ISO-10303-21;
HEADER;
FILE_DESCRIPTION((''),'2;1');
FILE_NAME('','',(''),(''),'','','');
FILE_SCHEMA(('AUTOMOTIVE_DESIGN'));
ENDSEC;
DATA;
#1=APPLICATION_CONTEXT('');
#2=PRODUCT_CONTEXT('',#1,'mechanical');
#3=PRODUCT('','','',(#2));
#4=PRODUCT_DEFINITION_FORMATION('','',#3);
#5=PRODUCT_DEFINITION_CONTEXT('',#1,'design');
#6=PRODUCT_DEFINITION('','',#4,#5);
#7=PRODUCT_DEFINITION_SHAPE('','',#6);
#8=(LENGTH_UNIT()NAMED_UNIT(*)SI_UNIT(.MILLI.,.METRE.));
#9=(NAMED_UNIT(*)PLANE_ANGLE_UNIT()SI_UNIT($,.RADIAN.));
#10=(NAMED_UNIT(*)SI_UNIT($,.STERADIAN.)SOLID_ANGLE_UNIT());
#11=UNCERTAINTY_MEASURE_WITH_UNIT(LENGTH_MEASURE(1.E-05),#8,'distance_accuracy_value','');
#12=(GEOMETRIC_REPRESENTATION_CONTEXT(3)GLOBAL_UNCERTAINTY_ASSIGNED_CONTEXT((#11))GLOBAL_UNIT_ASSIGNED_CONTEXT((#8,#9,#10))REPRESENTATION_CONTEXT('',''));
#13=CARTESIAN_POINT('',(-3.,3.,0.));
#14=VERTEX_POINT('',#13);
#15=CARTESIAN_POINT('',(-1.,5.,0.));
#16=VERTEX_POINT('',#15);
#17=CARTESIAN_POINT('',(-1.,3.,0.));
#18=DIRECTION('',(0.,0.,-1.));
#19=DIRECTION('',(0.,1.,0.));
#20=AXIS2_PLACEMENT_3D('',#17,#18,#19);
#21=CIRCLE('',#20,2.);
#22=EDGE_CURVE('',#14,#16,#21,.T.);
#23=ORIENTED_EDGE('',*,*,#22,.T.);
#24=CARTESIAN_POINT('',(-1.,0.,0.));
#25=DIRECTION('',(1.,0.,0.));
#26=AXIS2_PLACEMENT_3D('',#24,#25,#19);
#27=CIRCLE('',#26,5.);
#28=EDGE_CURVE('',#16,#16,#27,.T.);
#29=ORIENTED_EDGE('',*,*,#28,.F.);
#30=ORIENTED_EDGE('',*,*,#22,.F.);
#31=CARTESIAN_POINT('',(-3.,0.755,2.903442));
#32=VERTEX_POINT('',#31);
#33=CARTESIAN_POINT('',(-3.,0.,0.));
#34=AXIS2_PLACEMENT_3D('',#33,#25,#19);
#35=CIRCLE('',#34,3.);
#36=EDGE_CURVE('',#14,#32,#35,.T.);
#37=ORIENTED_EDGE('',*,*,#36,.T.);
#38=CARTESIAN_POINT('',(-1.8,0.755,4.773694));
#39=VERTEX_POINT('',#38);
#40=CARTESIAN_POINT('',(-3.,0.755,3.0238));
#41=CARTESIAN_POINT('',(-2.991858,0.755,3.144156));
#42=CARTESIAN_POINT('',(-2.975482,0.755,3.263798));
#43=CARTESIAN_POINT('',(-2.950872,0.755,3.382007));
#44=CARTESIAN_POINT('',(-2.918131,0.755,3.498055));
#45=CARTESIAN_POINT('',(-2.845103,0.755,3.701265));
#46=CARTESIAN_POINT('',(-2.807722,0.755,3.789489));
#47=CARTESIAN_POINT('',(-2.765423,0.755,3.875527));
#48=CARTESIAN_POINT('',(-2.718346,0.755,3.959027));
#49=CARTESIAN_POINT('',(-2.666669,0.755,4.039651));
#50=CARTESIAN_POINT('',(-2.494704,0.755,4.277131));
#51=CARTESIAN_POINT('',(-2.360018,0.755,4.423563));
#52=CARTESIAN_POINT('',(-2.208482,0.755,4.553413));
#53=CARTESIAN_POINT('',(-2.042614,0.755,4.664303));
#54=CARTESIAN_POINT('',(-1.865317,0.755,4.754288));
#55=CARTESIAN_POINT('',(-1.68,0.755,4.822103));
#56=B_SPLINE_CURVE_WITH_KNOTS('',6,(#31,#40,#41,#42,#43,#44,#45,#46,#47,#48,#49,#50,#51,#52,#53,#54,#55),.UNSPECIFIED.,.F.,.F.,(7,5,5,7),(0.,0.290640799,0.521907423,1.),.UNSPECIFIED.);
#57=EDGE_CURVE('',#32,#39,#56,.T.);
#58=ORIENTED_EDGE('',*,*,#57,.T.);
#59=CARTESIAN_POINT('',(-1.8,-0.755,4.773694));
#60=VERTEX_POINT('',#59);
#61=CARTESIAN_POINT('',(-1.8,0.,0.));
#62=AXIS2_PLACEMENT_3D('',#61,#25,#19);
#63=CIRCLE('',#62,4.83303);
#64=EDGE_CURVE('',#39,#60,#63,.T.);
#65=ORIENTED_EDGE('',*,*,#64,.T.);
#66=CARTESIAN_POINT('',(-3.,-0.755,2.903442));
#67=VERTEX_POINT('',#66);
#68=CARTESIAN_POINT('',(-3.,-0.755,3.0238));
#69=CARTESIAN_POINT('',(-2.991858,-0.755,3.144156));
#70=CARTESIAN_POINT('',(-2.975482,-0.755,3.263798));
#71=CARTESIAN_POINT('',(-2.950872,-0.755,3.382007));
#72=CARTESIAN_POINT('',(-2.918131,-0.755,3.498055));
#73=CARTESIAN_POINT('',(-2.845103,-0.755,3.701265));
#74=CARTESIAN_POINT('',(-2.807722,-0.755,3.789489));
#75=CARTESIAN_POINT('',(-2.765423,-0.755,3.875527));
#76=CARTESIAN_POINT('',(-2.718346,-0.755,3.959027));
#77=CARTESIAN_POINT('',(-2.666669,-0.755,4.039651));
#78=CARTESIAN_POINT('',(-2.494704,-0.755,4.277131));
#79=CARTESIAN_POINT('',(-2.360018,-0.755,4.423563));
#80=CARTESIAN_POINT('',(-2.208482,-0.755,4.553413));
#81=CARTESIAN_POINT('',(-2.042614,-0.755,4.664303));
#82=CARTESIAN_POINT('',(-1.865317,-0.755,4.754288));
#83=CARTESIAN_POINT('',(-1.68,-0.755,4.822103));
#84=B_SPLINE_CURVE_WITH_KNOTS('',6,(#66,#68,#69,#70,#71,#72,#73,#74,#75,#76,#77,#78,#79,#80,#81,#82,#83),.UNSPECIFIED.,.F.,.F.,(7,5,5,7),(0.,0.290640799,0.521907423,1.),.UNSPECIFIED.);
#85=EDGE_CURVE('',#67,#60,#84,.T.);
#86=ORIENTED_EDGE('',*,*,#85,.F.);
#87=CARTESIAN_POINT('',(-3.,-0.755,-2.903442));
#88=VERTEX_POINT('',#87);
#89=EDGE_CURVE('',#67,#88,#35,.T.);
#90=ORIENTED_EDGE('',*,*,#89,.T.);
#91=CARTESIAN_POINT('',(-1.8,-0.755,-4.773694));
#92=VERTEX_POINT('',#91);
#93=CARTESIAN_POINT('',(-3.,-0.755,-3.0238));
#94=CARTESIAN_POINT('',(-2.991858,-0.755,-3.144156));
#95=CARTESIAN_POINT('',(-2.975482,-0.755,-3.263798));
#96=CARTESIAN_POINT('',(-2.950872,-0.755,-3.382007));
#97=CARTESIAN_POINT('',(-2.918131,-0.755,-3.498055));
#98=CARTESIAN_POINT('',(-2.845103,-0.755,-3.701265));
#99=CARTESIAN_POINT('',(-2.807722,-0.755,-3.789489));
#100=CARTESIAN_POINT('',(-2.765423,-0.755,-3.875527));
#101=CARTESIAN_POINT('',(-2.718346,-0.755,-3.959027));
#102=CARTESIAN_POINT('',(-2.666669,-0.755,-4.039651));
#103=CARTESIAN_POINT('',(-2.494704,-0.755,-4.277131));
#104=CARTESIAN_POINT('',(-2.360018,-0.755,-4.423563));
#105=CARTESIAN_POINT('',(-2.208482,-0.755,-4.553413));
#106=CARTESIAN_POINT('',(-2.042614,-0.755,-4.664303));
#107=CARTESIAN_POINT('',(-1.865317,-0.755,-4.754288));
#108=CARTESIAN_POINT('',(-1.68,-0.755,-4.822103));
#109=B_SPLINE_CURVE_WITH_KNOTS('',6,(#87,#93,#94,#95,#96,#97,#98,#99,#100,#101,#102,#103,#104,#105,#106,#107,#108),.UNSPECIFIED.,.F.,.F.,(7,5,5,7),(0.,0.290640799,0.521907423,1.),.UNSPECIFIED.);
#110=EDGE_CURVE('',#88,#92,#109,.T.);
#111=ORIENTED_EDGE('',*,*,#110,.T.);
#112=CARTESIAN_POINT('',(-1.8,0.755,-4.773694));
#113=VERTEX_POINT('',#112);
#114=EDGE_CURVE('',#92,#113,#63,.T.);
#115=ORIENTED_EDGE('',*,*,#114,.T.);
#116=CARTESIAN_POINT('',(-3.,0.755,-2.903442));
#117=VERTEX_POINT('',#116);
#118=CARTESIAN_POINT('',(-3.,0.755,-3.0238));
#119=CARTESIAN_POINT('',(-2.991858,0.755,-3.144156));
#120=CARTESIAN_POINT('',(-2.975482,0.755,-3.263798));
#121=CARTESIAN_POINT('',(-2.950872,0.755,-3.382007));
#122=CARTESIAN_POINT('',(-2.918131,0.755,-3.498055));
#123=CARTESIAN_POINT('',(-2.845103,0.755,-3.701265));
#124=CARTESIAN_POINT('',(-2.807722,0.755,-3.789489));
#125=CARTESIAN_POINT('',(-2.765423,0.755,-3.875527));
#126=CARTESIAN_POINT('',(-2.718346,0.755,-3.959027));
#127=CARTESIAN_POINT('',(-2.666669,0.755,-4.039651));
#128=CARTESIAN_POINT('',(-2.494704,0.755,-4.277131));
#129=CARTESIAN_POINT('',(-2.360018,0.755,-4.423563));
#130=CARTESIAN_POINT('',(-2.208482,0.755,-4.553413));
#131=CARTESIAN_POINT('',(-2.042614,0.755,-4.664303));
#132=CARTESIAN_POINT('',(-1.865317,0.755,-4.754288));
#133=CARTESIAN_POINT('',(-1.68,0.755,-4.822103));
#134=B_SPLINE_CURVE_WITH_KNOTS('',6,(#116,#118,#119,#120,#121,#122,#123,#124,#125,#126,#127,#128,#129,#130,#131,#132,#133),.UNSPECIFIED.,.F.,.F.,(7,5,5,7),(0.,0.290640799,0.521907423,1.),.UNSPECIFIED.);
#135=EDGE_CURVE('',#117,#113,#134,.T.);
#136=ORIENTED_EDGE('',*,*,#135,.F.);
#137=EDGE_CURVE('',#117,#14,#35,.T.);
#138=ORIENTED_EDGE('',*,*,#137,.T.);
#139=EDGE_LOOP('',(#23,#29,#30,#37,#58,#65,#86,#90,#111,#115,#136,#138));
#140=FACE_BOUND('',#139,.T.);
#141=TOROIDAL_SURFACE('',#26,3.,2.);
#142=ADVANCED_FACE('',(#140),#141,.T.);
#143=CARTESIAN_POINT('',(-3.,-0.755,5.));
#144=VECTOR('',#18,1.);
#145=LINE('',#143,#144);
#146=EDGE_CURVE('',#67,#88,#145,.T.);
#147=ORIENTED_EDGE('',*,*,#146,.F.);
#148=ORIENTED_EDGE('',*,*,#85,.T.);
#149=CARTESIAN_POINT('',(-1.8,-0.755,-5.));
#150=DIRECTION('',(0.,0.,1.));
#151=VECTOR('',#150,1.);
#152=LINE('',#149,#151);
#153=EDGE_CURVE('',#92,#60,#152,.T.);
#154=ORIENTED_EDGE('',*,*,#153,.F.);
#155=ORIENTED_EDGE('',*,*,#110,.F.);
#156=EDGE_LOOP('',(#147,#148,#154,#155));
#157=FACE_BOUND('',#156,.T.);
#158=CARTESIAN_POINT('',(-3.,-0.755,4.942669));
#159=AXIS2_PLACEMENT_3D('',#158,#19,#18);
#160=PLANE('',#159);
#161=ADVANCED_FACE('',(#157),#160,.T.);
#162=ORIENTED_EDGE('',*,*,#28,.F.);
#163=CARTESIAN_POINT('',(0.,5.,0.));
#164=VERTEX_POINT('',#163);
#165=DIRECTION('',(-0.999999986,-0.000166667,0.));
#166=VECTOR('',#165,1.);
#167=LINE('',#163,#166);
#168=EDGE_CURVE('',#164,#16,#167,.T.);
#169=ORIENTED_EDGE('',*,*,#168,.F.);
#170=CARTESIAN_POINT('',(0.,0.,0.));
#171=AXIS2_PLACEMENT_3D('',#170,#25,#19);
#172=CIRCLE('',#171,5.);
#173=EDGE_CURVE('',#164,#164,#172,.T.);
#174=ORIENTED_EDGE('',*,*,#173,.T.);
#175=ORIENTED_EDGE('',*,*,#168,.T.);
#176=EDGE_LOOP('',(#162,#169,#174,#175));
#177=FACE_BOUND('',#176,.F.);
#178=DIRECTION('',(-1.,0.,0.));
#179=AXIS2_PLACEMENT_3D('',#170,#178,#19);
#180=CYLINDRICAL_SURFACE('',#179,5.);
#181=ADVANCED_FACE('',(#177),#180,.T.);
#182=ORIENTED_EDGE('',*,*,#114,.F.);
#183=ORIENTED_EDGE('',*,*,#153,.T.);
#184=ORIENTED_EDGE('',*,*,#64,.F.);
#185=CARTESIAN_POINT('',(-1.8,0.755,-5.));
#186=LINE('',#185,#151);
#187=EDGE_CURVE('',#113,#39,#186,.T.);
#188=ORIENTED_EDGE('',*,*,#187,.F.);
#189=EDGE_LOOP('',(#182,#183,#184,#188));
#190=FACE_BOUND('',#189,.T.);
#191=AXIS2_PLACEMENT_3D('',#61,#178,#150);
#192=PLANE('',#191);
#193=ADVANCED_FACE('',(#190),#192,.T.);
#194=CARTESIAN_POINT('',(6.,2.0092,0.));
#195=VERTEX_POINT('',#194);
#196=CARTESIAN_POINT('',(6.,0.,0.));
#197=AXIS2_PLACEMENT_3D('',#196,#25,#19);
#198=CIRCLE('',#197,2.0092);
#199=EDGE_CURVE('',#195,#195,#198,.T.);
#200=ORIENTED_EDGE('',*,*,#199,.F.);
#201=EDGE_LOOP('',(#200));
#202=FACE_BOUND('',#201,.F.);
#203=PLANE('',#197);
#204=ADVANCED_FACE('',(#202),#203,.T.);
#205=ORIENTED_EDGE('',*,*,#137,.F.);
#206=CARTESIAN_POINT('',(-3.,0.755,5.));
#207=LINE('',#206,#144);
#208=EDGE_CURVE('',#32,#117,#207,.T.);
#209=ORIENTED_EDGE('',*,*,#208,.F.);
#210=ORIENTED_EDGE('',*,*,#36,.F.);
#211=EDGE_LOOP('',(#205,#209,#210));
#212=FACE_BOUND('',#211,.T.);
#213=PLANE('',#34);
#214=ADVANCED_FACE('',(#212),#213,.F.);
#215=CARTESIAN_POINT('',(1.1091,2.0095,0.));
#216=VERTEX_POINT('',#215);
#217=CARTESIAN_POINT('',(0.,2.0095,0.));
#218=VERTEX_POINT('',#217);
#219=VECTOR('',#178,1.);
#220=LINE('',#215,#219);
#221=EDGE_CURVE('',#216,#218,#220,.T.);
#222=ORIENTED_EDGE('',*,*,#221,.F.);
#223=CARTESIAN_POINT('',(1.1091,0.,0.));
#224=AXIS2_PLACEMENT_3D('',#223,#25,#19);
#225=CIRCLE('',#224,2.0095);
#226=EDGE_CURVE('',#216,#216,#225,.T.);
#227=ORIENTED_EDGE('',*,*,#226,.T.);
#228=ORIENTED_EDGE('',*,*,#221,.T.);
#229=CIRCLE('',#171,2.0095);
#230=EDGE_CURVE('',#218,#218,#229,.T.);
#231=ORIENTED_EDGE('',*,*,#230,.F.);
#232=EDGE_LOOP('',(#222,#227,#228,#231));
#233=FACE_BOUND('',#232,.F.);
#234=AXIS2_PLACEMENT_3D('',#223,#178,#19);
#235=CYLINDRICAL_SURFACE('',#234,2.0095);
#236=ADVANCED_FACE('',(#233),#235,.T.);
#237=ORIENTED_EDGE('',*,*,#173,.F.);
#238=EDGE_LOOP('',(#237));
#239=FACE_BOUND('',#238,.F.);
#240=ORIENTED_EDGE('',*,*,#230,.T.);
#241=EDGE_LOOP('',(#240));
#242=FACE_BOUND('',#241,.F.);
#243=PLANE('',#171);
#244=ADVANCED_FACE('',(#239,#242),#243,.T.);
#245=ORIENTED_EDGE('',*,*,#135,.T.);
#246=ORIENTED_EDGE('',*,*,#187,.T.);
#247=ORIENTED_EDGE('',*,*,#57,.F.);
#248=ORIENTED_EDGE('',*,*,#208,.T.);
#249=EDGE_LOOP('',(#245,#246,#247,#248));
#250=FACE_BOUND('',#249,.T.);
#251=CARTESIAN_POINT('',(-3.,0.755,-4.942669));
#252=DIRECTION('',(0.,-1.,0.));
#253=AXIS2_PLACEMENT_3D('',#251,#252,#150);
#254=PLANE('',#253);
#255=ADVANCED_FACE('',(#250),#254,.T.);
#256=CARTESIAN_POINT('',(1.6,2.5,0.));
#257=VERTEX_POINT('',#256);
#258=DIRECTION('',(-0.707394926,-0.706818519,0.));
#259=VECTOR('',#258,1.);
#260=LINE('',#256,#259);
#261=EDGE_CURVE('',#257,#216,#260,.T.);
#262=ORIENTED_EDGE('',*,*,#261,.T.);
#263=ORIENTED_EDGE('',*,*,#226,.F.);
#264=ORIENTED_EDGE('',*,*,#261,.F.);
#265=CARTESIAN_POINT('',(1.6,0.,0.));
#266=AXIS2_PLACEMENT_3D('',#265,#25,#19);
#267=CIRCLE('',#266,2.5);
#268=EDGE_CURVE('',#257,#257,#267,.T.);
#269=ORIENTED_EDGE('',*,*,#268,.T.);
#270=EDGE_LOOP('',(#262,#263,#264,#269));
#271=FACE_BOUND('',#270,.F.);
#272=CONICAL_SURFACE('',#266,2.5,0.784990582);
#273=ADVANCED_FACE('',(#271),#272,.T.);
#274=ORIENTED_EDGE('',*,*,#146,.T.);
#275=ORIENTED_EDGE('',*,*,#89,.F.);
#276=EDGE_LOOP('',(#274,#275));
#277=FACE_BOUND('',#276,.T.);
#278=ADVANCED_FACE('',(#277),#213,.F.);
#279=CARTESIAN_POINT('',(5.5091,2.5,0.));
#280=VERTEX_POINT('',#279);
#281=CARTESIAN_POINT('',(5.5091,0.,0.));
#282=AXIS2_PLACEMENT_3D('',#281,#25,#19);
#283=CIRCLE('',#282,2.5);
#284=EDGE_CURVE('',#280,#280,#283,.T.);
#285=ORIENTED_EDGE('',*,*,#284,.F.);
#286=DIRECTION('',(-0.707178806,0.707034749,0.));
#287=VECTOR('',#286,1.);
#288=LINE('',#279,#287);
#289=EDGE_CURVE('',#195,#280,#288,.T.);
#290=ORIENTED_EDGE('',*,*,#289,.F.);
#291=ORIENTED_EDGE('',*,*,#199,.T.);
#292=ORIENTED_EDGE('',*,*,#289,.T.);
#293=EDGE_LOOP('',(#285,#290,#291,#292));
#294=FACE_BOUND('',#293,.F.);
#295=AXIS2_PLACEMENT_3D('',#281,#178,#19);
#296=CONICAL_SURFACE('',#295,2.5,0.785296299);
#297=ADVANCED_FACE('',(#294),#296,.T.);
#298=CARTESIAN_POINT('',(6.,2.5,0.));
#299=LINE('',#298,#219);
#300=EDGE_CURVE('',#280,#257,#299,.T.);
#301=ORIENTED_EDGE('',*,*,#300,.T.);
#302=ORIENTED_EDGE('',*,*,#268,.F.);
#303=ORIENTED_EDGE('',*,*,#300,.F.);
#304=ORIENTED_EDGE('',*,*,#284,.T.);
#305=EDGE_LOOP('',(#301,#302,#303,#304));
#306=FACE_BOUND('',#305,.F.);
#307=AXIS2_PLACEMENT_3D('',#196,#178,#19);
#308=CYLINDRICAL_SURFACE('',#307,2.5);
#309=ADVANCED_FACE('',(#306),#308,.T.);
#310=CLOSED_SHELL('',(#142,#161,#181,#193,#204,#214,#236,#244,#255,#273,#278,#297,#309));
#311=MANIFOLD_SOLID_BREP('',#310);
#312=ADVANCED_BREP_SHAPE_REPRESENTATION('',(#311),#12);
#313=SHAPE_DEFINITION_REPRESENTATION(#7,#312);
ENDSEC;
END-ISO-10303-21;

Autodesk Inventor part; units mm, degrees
ref_plane "YZ Plane" through (0, 0, 0) normal (1, 0, 0) x (0, 1, 0)
ref_plane "XZ Plane" through (0, 0, 0) normal (0, 1, 0) x (-1, 0, 0)
sketch "Sketch1" plane through (0, 0, 0) normal (0, 0, 1) x (1, 0, 0)
  line L0 (-3, 0) -> (6, 0)
  line L1 (6, 0) -> (6, 2.5)
  line L2 (6, 2.5) -> (1.6, 2.5)
  line L3 (1.6, 2.5) -> (1.1091, 2.0095)
  line L4 (1.1091, 2.0095) -> (0, 2.0095)
  line L5 (0, 2.0095) -> (0, 5)
  line L6 (-4.8, 0) -> (7.8, 0) projected
  line L7 (0, -1) -> (0, 6) projected
  line L8 (-3, 0) -> (-3, 4.9995)
  line L9 (0, 5) -> (-3, 4.9995)
  line L10 (1.6, 2.5) -> (0, 2.5) construction
  dimension "d0" = 6
  dimension "d1" = 4.4
  dimension "d2" = 0.4909
  dimension "d3" = 3
  dimension "d4" = 5
  dimension "d5" = 4.019
  dimension "d9" = 10
  dimension "d10" = 0.01
revolve "Body" add sketch "Sketch1" angle 360 about axis through (-3, 0, 0) along (1, 0, 0)
sketch "Sketch2" plane through (-3, 0, 0) normal (-1, 0, 0) x (0, 0, 1)
  circle A0 centre (0, 0) radius 5 projected
  line L0 (0, 0) -> (0, 4.9995) projected
  line L1 (-5, 0.755) -> (5, 0.755)
  line L2 (5, 0.755) -> (5, -0.755)
  line L3 (5, -0.755) -> (-5, -0.755)
  line L4 (-5, -0.755) -> (-5, 0.755)
  line L5 (-5, 0) -> (5, 0) construction
  line L6 (0, 0.755) -> (0, -0.755) construction
  dimension "d11" = 1.51
  dimension "d12" = 10
fillet "Fillet1" radius 2 1 edges at (-3, -4.9995, 0)
extrude "Slot" cut sketch "Sketch2" against normal blind 1.2 contours A0 L3 L1 | L2 L3 A0 | A0 L1 L2 | L3 L4 A0 | A0 L4 L1
thread "Thread" size "M5x0.8" class "6g" standard "ISO Metric profile" length 4.4
chamfer "Chamfer1" distance 0.4908 distance2 0.4909 1 edges at (6, -2.5, 0) measured on face at (6, -0.1451, 0.646)
ref_plane "Work Plane1" through (30.1625, 0, 0) normal (0, 0, -1) x (1, 0, 0)
equation "\"d11\" = SBR"
equation "\"d12\" = KOD"
equation "\"d14\" = RR"
equation "\"d19\" = STI"
equation "\"d15\" = GEL"
equation "\"d17\" = -0.5 * SPD + 0.5 * GD"
equation "\"d0\" = NLG"
equation "\"d1\" = GEL"
equation "\"d3\" = KOH"
equation "\"d4\" = GD"
equation "\"d5\" = BDM"
equation "\"d9\" = KOD"
equation "\"d10\" = KEWI"
equation "\"GD\" = NND"
equation "\"NLG\" = 6"
equation "\"GEL\" = 4.4"
equation "\"KOD\" = 10"
equation "\"KOH\" = 3"
equation "\"GAL\" = 0.61345 * PTC"
equation "\"SPD\" = NND - 1.2269 * PTC"
equation "\"BDM\" = 4.019"
equation "\"GUL\" = 0.61345 * PTC"
equation "\"RR\" = 2"
equation "\"SBR\" = 1.51"
equation "\"STI\" = 1.2"
equation "\"KEWI\" = 0.01deg"
equation "\"PTC\" = 0.8"
equation "\"THREADDIA\" = 5"
equation "\"TOA\" = 30deg"
equation "\"NND\" = 5"
equation "\"RR1\" = 0.35"
equation "\"GD1\" = THREADDIA - 1.2269 * PTC"
properties part number "AS 1427 - M5 x 6" material "Steel, Mild"
